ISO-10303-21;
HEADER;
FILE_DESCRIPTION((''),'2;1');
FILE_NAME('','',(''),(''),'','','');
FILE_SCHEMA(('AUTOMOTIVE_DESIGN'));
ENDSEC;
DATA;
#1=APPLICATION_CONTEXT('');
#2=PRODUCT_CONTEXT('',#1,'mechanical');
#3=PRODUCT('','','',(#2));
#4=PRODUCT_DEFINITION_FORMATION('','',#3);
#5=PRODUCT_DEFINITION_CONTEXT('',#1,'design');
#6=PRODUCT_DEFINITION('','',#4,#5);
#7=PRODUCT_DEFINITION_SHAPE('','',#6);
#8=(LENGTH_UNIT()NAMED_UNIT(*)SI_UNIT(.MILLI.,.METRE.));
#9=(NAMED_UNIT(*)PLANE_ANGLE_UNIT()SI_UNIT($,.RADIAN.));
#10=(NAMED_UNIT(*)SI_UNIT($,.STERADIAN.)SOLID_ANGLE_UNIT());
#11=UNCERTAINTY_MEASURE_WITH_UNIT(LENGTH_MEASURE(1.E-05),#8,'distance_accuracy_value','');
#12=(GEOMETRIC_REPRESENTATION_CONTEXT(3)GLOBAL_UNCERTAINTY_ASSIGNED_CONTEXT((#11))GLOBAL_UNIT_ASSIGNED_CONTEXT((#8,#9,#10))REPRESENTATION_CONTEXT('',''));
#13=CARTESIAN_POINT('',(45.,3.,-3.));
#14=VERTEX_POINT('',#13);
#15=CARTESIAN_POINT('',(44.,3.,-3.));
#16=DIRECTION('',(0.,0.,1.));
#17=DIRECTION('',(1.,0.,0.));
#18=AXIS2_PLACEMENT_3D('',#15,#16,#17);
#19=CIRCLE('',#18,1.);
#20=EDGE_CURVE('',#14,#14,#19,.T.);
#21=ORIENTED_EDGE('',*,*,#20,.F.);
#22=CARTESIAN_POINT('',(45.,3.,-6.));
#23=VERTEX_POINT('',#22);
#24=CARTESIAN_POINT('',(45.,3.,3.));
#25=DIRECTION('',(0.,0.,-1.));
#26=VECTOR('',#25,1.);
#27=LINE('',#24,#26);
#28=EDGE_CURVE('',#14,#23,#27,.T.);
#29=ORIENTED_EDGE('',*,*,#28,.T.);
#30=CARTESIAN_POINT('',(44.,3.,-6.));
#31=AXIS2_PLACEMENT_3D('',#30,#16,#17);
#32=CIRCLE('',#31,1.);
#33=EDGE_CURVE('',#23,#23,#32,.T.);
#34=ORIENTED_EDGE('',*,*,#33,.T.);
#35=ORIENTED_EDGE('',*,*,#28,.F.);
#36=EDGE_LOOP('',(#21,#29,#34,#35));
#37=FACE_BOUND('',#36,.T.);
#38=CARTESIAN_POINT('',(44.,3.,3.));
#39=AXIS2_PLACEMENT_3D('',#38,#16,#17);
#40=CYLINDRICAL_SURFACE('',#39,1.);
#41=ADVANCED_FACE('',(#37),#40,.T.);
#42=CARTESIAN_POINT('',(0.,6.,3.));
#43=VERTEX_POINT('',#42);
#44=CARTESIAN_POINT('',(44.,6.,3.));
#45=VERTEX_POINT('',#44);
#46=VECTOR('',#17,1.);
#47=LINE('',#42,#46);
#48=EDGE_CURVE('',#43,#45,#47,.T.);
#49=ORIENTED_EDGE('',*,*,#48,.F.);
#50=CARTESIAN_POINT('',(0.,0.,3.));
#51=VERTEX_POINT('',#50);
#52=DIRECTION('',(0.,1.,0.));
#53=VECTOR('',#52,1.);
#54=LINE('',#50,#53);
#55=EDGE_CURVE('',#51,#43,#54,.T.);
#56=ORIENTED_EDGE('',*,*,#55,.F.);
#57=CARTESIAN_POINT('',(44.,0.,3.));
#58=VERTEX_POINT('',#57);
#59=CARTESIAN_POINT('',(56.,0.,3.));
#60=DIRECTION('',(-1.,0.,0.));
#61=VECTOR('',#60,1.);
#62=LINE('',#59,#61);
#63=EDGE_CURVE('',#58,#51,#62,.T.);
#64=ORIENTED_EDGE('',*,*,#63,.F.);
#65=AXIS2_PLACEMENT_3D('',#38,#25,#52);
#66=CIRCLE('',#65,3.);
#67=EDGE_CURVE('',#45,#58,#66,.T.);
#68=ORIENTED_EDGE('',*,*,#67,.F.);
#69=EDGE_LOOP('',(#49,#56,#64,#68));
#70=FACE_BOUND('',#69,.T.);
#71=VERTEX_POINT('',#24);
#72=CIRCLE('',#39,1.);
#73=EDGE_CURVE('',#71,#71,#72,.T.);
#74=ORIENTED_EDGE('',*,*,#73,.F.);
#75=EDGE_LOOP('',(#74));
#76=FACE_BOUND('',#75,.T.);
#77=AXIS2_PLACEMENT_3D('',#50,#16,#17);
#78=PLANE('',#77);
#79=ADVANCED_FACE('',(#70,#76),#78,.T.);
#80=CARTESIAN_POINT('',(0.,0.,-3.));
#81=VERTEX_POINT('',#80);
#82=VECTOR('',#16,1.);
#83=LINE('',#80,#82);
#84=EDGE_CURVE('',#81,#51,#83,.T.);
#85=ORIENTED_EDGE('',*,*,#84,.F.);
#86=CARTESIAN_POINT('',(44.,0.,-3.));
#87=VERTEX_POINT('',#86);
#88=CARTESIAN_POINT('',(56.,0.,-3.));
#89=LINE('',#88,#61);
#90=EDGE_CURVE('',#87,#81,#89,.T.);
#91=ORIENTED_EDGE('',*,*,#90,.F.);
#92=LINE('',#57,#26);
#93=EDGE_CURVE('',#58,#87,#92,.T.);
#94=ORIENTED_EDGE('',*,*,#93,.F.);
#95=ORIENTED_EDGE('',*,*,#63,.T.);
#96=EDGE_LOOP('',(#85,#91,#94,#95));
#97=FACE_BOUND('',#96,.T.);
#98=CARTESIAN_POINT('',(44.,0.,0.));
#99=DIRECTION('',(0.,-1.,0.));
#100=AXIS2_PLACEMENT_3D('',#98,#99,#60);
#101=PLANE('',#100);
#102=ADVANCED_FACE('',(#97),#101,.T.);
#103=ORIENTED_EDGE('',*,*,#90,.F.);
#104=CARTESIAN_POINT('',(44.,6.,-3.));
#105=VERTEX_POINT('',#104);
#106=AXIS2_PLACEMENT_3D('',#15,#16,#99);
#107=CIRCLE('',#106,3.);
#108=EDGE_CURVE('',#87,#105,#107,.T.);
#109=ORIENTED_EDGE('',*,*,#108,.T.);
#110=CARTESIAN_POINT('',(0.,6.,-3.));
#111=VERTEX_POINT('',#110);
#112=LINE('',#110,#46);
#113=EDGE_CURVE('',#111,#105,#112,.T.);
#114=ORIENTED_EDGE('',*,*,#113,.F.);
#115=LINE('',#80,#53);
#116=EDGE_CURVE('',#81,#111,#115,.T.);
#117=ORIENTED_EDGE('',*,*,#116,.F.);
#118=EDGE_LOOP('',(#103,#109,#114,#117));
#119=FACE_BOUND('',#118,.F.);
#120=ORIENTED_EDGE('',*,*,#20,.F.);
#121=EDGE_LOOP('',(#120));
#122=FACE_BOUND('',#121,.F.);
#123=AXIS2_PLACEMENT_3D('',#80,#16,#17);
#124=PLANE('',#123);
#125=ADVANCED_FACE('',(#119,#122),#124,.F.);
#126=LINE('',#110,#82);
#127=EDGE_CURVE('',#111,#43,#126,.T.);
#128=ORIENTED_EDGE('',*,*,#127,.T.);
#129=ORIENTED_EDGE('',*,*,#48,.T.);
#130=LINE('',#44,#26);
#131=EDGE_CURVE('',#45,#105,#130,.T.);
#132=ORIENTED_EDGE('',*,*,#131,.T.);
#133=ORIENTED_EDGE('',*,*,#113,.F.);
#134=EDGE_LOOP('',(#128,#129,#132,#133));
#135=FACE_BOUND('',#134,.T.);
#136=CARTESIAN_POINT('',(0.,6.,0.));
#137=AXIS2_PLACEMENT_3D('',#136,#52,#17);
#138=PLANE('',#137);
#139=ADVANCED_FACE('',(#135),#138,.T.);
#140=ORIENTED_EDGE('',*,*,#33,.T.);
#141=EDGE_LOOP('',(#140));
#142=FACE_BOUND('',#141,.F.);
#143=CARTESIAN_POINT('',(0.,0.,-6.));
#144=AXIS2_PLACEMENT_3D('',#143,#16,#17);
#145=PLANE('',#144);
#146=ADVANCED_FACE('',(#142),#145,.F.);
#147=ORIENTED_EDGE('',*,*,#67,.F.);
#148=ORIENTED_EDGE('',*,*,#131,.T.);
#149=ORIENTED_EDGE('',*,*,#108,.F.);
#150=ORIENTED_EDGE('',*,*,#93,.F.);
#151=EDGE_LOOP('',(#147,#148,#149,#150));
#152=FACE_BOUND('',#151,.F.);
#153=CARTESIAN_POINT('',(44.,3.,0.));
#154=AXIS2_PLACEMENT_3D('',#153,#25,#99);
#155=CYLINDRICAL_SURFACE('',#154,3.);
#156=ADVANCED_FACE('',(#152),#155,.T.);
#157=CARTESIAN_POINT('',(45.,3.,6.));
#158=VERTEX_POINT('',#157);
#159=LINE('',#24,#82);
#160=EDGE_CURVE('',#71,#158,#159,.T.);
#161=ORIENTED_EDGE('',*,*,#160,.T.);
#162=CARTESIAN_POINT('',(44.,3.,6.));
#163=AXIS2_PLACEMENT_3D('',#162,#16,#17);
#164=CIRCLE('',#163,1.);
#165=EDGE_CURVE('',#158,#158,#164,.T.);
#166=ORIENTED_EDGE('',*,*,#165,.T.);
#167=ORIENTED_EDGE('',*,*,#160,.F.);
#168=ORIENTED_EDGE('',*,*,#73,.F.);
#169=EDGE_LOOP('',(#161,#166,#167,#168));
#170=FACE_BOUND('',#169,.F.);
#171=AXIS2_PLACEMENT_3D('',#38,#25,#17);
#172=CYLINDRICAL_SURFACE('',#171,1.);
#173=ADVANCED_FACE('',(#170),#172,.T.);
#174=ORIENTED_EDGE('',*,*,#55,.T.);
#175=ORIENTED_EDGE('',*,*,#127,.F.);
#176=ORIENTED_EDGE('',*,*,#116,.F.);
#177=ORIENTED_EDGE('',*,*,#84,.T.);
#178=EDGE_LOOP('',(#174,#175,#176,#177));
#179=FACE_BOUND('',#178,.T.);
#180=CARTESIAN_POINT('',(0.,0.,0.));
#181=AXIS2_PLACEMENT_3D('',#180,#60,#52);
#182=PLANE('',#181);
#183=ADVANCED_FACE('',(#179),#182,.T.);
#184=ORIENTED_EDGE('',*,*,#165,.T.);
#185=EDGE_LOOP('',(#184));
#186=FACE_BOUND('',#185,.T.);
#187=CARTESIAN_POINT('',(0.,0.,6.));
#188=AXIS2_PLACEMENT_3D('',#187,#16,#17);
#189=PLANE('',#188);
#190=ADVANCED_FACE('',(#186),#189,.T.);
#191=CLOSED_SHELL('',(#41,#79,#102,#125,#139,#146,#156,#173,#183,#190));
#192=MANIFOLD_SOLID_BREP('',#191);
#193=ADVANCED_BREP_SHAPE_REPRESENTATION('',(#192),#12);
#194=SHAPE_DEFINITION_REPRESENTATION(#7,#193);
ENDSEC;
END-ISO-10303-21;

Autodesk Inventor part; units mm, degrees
ref_plane "YZ Plane" through (0, 0, 0) normal (1, 0, 0) x (0, 1, 0)
ref_plane "XZ Plane" through (0, 0, 0) normal (0, 1, 0) x (-1, 0, 0)
ref_plane "XY Plane" through (0, 0, 0) normal (0, 0, 1) x (1, 0, 0)
sketch "Sketch1" plane through (0, 0, 0) normal (0, 0, 1) x (1, 0, 0)
  line L0 (0, 6) -> (47, 6)
  line L1 (56, 0) -> (0, 0)
  line L2 (47, 0) -> (47, 6)
  circle A0 centre (44, 3) radius 1
  line L3 (0, 0) -> (0, 6)
  arc A1 (44, 0) -> (44, 6) centre (44, 3) ccw
  dimension "d26" = 2
  dimension "d29" = 47
  dimension "d30" = 3
  dimension "d31" = 3
  dimension "d32" = 6
extrude "Extrusion1" add sketch "Sketch1" along normal mid plane 6 contours L0 A1 L1 L3 | A0
sketch "Sketch6" plane through (0, 0, 3) normal (0, 0, 1) x (1, 0, 0)
  line L0 (0, 6) -> (47, 6)
  line L1 (47, 0) -> (47, 6)
  circle A0 centre (44, 3) radius 1
  line L2 (0, 0) -> (0, 6)
  arc A1 (44, 0) -> (44, 6) centre (44, 3) ccw projected
  line L3 (0, 0) -> (44, 0) projected
  line L4 (44, 6) -> (0, 6) projected
  dimension "d34" = 2
  dimension "d36" = 3
  dimension "d37" = 3
extrude "Extrusion4" add sketch "Sketch6" along normal blind 3 and the other way blind 9 contours A0
properties part number "Arm"
